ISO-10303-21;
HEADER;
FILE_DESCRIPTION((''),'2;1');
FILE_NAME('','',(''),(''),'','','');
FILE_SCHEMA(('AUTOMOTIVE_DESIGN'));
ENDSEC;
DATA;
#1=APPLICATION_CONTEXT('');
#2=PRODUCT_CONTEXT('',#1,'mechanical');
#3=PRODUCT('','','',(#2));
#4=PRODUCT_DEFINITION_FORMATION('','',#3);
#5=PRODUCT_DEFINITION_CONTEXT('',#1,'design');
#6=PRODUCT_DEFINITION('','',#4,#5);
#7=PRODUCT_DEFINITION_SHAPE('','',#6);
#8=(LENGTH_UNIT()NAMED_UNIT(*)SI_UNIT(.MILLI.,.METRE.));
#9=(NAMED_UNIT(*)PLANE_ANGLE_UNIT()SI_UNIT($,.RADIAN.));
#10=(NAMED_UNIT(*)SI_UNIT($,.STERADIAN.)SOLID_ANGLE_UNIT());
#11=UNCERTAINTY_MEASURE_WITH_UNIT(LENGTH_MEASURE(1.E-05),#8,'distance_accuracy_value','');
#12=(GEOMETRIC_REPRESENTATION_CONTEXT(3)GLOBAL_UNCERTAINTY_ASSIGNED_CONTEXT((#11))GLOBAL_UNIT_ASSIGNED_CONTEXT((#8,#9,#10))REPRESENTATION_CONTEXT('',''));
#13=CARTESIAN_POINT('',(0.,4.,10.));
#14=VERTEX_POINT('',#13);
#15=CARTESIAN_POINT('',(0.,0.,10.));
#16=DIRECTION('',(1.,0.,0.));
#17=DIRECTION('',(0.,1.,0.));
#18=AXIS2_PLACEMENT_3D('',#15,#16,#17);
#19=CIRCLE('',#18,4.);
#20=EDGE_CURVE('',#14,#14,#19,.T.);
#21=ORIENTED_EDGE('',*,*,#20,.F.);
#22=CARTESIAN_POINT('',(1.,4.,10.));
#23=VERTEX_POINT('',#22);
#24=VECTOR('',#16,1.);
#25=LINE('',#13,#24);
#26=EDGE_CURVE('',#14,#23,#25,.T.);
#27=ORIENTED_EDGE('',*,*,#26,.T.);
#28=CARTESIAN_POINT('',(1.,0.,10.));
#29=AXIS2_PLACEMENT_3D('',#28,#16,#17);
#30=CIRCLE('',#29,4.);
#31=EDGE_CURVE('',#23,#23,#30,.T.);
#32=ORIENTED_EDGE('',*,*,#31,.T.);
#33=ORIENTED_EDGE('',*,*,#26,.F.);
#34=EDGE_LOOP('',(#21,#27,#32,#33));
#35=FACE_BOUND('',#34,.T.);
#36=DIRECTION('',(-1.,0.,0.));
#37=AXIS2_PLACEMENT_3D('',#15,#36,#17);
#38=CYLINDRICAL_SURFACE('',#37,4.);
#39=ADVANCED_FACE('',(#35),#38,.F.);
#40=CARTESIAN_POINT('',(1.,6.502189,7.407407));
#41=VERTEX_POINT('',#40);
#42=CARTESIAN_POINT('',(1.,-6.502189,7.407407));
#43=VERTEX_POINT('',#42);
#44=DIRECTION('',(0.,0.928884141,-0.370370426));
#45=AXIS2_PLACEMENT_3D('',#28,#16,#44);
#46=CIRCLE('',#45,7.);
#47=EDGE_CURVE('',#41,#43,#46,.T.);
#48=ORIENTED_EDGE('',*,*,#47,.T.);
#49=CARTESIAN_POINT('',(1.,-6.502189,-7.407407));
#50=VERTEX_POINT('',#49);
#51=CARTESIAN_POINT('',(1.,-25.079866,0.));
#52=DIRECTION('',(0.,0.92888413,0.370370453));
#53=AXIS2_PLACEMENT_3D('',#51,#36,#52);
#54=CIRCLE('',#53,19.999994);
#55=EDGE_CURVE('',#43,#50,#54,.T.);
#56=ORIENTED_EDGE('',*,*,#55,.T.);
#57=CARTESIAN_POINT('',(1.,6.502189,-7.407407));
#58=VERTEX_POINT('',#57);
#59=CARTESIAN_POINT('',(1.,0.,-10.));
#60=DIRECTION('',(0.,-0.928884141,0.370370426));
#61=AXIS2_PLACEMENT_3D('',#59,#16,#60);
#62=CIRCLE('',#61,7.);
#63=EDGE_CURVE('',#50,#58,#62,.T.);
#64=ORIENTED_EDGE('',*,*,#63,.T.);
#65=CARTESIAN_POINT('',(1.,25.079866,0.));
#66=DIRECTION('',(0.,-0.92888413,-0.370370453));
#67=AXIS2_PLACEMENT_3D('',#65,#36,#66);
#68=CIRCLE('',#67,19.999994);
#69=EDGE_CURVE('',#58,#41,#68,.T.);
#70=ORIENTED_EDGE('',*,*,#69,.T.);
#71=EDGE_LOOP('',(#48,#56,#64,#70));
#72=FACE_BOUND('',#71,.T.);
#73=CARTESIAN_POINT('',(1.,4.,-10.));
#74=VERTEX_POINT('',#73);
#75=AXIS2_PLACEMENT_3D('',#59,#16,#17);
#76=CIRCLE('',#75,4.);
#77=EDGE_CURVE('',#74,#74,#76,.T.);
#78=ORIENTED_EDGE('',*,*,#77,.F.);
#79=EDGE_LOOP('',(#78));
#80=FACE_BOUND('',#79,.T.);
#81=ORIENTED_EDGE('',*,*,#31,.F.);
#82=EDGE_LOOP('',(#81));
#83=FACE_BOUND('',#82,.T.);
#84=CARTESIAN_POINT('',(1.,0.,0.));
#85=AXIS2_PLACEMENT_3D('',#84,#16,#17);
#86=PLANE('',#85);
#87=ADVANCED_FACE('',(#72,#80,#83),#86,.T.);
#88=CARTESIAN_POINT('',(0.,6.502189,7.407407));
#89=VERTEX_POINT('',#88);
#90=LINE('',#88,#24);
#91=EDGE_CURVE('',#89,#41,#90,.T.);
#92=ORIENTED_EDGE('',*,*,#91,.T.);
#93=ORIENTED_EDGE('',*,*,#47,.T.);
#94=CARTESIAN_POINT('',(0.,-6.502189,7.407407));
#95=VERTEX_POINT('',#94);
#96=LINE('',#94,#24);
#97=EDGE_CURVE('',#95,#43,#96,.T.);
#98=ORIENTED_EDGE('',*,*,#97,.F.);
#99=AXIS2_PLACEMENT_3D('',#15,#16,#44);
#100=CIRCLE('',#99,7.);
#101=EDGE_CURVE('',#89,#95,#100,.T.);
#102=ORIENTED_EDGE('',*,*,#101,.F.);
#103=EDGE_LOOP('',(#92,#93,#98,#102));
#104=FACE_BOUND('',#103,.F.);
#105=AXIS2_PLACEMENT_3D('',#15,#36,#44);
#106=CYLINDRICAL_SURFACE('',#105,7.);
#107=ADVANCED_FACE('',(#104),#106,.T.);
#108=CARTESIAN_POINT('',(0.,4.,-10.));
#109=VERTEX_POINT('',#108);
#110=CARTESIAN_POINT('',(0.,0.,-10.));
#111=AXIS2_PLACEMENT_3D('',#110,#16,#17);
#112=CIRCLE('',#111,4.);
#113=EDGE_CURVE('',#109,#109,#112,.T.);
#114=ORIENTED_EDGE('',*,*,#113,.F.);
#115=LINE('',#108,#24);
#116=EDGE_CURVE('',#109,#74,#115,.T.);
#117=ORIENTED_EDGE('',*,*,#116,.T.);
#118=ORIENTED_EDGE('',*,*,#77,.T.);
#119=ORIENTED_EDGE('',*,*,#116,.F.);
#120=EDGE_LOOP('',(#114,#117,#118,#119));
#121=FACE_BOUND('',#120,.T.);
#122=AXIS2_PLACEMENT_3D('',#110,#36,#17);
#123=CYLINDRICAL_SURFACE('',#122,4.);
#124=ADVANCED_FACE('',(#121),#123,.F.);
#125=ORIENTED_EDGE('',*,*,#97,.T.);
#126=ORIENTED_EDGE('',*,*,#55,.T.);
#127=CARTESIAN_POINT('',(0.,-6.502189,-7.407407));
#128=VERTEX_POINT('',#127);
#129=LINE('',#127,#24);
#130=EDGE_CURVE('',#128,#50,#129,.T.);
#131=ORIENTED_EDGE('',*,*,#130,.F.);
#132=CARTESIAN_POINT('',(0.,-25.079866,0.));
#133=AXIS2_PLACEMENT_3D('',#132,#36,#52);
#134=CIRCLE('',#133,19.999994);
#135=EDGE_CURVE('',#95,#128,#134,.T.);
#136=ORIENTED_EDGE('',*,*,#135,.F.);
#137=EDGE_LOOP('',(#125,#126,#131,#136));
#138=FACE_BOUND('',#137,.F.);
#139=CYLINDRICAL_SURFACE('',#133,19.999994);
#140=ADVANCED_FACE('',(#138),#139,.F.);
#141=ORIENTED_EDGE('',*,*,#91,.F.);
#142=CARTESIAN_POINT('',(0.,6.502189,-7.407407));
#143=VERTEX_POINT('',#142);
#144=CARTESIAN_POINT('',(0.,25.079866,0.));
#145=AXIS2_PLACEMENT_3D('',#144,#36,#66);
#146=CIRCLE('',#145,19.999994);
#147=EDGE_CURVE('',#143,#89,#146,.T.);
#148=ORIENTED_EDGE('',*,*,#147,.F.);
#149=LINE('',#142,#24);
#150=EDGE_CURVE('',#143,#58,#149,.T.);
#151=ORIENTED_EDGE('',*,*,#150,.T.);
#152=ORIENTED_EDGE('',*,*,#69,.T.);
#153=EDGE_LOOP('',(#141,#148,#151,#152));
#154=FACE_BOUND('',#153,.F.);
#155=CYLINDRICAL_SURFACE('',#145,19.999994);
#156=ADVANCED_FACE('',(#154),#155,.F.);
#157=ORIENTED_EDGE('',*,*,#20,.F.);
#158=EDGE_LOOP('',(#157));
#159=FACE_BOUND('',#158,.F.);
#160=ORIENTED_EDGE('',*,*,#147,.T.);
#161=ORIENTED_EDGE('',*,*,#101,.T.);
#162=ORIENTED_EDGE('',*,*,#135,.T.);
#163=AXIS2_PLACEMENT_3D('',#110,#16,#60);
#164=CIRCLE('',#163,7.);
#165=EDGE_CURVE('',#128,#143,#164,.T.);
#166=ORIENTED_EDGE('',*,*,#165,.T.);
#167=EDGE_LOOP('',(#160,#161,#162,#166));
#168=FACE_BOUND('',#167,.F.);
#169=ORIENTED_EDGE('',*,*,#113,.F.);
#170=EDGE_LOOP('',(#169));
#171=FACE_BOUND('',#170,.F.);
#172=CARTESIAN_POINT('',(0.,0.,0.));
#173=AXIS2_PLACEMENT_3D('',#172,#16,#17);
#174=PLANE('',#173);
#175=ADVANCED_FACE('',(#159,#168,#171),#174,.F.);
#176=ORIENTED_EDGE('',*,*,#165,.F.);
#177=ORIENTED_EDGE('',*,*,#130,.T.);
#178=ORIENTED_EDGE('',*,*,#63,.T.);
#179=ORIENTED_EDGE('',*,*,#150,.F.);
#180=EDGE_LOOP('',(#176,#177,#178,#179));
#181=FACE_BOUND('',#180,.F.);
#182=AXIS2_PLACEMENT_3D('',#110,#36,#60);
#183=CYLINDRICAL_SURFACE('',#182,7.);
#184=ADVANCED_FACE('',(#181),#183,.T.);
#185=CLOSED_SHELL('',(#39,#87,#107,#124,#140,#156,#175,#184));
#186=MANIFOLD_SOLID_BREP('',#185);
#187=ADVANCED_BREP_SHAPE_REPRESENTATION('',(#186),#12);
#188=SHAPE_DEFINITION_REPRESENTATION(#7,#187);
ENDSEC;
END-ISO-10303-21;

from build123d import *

# Parameters (mm, degrees)
F0_R     = 4
F1_DEPTH = 1


with BuildPart() as f1:
    # F0 (on Right) → F1 (new body)
    with BuildSketch(Plane.YZ):
        with BuildLine():
            ThreePointArc((6.502189, -7.407407), (5.079872, 0), (6.502189, 7.407407))
            ThreePointArc((6.502189, 7.407407), (0, 17), (-6.502189, 7.407407))
            ThreePointArc((-6.502189, 7.407407), (-5.079872, 0), (-6.502189, -7.407407))
            ThreePointArc((-6.502189, -7.407407), (0, -17), (6.502189, -7.407407))
        make_face()
        with Locations((0, -10)):
            Circle(F0_R, mode=Mode.SUBTRACT)
        with Locations((0, 10)):
            Circle(F0_R, mode=Mode.SUBTRACT)
    extrude(amount=F1_DEPTH)


solid = f1.part
